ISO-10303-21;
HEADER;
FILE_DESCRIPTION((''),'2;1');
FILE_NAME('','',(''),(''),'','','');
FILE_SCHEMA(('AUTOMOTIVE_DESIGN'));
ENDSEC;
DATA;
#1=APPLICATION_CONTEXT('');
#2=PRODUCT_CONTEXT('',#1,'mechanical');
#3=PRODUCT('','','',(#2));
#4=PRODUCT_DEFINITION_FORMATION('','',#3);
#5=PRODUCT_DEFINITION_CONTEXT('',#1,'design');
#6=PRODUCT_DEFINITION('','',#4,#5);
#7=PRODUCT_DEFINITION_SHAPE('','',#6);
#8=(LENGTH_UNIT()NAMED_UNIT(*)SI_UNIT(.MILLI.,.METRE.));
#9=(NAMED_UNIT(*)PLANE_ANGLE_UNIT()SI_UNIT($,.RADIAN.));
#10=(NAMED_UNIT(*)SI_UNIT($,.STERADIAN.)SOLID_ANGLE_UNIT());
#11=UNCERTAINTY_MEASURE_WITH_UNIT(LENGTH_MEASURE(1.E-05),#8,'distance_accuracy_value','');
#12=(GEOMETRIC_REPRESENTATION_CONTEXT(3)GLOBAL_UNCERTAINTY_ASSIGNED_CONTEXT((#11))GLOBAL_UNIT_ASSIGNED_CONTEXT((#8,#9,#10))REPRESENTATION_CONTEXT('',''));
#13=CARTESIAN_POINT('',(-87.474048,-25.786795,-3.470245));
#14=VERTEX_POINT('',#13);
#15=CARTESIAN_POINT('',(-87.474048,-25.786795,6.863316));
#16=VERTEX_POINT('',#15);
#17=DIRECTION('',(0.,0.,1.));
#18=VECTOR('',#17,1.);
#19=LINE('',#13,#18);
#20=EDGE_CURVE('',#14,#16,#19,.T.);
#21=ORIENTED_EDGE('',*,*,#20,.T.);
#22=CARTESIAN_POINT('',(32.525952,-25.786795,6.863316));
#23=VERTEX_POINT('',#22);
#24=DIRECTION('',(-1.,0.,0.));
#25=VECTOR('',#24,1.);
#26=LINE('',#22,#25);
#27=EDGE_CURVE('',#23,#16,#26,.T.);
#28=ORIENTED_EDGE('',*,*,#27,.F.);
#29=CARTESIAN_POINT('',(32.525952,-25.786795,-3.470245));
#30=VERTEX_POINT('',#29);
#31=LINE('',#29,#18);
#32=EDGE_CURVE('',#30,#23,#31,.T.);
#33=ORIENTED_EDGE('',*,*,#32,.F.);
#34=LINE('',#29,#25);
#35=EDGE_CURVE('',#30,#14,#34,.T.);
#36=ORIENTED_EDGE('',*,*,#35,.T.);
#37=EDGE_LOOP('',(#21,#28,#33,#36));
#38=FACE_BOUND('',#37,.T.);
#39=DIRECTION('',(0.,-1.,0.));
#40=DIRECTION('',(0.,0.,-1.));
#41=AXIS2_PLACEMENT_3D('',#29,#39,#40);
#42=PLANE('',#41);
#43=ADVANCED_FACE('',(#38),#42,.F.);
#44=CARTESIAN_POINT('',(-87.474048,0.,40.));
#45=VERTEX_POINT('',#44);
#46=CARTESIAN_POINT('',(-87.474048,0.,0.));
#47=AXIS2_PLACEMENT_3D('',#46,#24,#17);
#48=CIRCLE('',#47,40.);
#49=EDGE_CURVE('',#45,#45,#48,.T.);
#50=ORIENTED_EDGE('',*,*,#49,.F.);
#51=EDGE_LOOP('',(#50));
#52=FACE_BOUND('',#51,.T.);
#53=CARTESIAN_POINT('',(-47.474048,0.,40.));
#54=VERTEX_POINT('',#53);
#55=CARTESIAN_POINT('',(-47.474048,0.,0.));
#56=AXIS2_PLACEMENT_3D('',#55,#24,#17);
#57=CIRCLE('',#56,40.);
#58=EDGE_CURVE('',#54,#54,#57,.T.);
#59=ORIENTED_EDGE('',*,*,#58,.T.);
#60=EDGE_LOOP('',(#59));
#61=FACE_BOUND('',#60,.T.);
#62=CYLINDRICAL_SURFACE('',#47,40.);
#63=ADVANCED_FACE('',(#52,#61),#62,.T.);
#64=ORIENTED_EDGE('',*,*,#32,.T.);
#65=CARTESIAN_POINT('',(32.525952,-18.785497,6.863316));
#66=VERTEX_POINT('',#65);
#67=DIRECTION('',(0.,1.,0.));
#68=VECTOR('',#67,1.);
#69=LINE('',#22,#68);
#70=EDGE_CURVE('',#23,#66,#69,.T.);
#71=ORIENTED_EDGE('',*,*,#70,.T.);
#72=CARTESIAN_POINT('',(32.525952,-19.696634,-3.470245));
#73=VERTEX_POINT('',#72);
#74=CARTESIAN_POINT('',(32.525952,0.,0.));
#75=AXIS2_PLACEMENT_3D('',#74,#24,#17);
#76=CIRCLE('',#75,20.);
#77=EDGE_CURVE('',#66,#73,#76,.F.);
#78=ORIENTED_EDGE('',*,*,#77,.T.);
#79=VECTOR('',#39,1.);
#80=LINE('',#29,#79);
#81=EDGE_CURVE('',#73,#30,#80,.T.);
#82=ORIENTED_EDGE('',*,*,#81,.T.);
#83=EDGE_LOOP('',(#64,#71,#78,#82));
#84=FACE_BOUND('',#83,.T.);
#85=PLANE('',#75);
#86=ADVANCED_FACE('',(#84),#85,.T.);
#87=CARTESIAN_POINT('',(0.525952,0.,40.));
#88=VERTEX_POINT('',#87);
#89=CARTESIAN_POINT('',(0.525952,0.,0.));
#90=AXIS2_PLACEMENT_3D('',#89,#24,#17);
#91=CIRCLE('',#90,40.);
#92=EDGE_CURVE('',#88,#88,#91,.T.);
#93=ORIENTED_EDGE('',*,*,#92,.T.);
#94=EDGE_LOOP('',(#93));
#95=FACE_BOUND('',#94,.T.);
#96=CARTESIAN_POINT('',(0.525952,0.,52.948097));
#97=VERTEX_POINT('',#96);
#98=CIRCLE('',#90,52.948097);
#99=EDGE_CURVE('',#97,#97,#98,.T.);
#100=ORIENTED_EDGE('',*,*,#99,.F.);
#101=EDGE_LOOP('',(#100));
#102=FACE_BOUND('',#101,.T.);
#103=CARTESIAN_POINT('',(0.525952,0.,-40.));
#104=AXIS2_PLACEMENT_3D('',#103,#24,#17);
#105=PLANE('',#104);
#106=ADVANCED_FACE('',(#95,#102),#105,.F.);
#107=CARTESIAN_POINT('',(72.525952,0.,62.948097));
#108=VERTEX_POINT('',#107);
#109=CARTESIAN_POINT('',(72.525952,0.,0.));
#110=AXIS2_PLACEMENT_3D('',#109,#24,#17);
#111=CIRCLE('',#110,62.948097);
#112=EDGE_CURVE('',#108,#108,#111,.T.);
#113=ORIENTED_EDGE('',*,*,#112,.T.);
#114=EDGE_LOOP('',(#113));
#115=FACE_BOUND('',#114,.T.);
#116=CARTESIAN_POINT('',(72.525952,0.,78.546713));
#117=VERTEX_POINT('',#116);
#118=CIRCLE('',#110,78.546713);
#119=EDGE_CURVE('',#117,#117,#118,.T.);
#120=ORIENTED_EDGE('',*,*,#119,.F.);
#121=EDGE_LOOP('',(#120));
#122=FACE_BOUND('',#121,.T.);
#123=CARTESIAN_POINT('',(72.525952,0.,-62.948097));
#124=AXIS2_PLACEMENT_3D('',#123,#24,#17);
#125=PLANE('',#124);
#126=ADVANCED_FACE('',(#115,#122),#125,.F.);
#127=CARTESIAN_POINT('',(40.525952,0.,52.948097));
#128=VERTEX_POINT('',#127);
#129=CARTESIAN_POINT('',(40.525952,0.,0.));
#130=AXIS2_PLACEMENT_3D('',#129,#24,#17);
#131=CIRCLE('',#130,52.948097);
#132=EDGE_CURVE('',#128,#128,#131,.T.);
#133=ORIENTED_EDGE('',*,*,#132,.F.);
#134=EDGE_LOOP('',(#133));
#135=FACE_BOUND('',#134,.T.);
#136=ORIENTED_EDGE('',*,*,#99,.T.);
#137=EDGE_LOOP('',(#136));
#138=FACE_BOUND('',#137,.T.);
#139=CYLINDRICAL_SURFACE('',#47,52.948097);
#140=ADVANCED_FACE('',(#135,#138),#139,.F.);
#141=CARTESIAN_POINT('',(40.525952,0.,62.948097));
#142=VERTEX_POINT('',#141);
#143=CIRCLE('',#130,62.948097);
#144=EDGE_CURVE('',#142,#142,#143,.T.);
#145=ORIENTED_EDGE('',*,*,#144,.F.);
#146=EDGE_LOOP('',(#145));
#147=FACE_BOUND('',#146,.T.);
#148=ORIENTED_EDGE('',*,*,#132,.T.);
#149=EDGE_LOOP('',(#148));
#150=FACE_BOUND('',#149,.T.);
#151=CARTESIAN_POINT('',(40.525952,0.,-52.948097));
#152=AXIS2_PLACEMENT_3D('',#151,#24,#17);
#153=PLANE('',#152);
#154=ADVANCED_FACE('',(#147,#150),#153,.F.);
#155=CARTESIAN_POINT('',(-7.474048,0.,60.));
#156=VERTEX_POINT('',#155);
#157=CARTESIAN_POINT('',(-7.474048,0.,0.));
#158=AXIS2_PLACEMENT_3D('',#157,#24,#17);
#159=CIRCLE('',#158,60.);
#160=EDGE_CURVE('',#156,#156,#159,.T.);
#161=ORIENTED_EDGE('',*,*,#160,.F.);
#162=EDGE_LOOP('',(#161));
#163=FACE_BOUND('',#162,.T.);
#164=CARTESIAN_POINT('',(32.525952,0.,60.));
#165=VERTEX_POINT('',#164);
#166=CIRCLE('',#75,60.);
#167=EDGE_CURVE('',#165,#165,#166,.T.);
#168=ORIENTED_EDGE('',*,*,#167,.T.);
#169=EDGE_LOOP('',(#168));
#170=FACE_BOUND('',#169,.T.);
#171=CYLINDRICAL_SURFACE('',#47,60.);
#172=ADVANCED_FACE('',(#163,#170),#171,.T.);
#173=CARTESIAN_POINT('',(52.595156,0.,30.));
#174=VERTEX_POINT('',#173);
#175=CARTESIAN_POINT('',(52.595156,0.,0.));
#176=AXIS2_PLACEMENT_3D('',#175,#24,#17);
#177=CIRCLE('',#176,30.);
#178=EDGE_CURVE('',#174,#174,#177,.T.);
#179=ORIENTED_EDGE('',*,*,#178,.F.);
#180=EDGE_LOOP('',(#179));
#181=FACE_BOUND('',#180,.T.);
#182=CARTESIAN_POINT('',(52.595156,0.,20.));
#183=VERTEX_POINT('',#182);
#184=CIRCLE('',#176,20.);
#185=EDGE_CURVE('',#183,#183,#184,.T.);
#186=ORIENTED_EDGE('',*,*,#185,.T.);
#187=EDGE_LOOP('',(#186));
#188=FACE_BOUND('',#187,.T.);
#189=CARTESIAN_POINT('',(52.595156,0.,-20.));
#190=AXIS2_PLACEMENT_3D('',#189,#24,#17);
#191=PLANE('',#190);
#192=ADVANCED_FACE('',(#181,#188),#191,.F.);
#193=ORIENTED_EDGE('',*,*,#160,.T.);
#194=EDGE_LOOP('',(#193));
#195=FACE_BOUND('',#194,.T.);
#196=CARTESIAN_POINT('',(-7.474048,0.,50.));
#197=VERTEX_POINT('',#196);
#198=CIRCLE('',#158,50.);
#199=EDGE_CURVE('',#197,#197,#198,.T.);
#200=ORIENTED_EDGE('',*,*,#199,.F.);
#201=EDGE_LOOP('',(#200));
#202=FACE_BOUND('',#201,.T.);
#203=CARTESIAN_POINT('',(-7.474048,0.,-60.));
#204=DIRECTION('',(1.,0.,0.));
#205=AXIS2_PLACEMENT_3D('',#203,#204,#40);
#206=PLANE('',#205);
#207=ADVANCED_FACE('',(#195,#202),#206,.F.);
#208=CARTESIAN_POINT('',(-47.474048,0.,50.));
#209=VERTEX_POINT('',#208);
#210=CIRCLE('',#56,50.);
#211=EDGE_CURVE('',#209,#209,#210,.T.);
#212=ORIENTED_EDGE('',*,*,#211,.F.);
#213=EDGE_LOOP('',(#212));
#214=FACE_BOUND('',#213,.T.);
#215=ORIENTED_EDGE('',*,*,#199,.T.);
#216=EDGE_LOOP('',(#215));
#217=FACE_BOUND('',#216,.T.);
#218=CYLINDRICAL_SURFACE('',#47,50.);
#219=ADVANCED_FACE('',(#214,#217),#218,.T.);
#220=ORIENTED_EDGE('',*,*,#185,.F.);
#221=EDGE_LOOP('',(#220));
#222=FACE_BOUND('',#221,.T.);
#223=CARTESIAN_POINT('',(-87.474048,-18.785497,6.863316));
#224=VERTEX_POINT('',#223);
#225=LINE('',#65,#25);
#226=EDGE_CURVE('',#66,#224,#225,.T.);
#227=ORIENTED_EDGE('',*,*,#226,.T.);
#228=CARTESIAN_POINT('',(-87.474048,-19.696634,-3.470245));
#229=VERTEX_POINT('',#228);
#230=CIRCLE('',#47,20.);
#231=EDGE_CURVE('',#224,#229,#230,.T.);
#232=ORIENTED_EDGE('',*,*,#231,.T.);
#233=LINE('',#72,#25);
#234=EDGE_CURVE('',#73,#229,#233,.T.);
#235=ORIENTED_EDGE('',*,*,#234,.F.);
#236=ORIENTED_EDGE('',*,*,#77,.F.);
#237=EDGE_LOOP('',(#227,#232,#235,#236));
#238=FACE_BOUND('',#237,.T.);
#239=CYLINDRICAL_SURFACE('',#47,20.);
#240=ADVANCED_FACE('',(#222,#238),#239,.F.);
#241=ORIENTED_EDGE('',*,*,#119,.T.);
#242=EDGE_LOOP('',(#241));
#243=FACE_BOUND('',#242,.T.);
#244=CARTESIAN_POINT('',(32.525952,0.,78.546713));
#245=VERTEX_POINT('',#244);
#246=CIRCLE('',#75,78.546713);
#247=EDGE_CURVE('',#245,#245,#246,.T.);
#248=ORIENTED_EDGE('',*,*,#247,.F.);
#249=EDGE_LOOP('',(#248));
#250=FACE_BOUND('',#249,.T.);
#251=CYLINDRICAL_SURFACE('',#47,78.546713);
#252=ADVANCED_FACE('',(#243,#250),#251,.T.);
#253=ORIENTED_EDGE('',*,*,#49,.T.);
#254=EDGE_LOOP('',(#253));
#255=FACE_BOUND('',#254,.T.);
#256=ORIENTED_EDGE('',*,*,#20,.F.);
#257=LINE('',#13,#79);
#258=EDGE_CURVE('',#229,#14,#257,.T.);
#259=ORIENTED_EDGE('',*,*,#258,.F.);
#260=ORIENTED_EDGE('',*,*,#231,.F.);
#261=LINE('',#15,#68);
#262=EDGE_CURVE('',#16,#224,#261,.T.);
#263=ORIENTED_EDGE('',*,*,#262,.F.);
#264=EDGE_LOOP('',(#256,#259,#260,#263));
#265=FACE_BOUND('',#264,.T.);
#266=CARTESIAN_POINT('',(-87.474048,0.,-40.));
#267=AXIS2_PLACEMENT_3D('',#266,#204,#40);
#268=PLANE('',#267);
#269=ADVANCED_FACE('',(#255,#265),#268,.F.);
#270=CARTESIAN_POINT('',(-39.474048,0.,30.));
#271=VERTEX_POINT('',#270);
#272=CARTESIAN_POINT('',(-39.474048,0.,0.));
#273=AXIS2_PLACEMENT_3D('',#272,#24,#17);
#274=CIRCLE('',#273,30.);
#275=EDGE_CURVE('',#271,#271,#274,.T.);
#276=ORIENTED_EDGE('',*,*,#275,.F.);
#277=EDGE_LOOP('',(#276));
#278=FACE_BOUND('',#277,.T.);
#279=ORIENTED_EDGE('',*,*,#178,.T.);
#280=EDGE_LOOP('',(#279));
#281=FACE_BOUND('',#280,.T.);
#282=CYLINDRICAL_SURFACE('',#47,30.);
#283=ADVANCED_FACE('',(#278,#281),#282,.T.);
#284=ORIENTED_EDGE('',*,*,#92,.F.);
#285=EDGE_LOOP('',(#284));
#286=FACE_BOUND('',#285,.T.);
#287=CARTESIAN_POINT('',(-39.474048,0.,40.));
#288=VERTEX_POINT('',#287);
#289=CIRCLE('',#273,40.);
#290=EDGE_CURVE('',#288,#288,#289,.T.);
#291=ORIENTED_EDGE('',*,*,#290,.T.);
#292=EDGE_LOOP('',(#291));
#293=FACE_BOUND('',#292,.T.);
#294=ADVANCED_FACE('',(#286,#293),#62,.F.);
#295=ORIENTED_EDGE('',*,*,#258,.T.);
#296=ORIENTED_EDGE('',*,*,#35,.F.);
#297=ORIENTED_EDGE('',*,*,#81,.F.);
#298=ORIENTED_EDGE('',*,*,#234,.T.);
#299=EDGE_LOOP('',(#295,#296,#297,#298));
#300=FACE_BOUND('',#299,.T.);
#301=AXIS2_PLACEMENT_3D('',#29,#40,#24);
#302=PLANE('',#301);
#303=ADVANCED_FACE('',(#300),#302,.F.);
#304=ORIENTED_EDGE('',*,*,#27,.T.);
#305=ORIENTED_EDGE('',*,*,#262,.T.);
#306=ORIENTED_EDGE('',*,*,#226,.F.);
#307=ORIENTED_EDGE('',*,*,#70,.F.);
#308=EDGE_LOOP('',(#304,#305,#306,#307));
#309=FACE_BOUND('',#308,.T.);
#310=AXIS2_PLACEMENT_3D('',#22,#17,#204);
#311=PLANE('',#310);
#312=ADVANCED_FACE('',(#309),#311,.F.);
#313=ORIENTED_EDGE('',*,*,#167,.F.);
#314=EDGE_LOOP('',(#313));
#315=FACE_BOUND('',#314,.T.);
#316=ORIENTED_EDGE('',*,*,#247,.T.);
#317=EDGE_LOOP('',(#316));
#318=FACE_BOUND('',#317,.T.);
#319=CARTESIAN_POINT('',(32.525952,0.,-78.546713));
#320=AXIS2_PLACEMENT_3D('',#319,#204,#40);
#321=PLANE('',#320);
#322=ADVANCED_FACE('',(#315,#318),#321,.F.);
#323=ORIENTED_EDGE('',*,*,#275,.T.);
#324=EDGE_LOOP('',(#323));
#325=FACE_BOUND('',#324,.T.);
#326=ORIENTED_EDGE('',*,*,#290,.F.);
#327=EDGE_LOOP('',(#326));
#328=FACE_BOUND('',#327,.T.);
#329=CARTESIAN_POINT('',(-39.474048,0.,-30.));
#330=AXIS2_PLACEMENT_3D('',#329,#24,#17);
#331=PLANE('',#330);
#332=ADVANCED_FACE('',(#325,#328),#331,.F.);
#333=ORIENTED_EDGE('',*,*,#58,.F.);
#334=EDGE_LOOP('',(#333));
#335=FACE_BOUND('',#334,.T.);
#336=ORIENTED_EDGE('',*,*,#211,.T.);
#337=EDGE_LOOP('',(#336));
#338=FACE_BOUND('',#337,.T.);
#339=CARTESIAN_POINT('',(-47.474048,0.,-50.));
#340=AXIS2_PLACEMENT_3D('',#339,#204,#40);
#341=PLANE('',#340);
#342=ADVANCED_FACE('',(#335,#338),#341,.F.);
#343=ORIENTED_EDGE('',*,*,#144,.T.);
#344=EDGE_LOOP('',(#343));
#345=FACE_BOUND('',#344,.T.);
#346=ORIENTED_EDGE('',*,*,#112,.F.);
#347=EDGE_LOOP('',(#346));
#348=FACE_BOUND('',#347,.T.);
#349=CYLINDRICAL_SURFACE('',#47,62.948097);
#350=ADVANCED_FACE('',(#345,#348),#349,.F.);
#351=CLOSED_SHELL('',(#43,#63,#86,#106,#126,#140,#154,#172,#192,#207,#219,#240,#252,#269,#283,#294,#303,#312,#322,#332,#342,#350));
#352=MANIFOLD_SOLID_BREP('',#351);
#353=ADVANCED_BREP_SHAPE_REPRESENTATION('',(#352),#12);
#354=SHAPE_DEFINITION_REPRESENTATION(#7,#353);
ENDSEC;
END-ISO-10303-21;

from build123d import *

# Parameters (mm, degrees)
CUT_EXTRUDE2_DEPTH = 120


with BuildPart() as part:
    # Sketch1 → Revolve1 (revolve)
    with BuildSketch(Plane(origin=(0, 0, 0), x_dir=(1, 0, 0), z_dir=(0, 1, 0)), mode=Mode.PRIVATE) as revolve1_sk:
        Polygon((-87.474048443, 20), (52.595155709, 20), (52.595155709, 30), (-39.474048443, 30), (-39.474048443, 40), (0.525951557, 40), (0.525951557, 52.948096886), (40.525951557, 52.948096886), (40.525951557, 62.948096886), (72.525951557, 62.948096886), (72.525951557, 78.546712803), (32.525951557, 78.546712803), (32.525951557, 60), (-7.474048443, 60), (-7.474048443, 50), (-47.474048443, 50), (-47.474048443, 40), (-87.474048443, 40), align=None)
    revolve(revolve1_sk.sketch.rotate(Axis((-87.474048443, 0, 0), (1, 0, 0)), 180), axis=Axis((-87.474048443, 0, 0), (1, 0, 0)))

    # Sketch2 → Cut-Extrude2 (cut)
    with BuildSketch(Plane.ZY.offset(87.474048443)):
        Polygon((-3.470245106, -25.786795459), (-3.470245106, -19.696634202), (6.863316134, -18.785496843), (6.863316134, -25.786795459), align=None)
    extrude(amount=-CUT_EXTRUDE2_DEPTH, mode=Mode.SUBTRACT)


solid = part.part
